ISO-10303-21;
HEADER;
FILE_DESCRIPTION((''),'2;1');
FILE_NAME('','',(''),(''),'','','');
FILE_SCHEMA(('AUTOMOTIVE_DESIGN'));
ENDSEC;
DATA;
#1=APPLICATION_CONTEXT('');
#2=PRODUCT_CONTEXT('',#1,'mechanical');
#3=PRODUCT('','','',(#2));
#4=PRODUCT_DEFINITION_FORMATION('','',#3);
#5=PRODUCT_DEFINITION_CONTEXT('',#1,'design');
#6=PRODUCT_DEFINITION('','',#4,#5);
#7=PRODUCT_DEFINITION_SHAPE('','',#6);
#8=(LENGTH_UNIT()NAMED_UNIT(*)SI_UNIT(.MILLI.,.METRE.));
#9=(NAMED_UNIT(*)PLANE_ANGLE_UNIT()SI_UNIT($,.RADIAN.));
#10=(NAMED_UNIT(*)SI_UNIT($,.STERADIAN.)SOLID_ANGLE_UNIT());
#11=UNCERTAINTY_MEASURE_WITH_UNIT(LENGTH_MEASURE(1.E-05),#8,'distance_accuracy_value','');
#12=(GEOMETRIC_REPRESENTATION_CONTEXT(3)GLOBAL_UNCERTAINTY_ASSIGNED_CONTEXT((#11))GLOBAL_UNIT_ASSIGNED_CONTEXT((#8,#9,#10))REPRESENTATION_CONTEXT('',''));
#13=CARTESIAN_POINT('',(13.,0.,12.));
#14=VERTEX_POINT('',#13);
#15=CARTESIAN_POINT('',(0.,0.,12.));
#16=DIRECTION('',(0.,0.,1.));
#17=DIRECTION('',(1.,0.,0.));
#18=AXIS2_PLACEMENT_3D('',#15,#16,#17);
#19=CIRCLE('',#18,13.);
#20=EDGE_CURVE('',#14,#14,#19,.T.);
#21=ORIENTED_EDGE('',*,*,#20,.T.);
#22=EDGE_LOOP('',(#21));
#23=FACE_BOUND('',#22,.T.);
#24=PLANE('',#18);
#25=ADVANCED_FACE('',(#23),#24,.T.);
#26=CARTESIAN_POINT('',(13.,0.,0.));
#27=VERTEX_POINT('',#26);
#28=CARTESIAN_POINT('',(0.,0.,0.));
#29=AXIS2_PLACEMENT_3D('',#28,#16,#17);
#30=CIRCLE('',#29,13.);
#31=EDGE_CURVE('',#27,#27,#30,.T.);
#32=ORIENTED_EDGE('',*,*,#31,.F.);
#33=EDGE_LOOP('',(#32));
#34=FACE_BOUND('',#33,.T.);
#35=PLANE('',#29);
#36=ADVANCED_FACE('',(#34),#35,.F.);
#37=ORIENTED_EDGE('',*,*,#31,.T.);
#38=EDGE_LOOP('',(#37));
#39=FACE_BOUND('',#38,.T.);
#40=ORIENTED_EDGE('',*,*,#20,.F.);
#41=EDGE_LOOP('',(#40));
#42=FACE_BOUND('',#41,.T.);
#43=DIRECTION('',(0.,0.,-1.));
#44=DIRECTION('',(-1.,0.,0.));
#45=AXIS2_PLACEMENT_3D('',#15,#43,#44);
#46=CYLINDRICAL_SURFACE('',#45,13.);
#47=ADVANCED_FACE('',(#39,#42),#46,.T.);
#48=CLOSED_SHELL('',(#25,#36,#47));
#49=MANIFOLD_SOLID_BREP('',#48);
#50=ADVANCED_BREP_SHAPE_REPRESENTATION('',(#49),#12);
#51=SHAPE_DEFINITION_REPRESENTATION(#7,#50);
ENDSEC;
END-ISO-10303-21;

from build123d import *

# Parameters (mm, degrees)
SKETCH_1_R      = 13
YAW_MOTOR_DEPTH = 12


with BuildPart() as part:
    # 草图1 → Yaw_Motor (new body)
    with BuildSketch(Plane.XY):
        Circle(SKETCH_1_R)
    extrude(amount=YAW_MOTOR_DEPTH)


solid = part.part
